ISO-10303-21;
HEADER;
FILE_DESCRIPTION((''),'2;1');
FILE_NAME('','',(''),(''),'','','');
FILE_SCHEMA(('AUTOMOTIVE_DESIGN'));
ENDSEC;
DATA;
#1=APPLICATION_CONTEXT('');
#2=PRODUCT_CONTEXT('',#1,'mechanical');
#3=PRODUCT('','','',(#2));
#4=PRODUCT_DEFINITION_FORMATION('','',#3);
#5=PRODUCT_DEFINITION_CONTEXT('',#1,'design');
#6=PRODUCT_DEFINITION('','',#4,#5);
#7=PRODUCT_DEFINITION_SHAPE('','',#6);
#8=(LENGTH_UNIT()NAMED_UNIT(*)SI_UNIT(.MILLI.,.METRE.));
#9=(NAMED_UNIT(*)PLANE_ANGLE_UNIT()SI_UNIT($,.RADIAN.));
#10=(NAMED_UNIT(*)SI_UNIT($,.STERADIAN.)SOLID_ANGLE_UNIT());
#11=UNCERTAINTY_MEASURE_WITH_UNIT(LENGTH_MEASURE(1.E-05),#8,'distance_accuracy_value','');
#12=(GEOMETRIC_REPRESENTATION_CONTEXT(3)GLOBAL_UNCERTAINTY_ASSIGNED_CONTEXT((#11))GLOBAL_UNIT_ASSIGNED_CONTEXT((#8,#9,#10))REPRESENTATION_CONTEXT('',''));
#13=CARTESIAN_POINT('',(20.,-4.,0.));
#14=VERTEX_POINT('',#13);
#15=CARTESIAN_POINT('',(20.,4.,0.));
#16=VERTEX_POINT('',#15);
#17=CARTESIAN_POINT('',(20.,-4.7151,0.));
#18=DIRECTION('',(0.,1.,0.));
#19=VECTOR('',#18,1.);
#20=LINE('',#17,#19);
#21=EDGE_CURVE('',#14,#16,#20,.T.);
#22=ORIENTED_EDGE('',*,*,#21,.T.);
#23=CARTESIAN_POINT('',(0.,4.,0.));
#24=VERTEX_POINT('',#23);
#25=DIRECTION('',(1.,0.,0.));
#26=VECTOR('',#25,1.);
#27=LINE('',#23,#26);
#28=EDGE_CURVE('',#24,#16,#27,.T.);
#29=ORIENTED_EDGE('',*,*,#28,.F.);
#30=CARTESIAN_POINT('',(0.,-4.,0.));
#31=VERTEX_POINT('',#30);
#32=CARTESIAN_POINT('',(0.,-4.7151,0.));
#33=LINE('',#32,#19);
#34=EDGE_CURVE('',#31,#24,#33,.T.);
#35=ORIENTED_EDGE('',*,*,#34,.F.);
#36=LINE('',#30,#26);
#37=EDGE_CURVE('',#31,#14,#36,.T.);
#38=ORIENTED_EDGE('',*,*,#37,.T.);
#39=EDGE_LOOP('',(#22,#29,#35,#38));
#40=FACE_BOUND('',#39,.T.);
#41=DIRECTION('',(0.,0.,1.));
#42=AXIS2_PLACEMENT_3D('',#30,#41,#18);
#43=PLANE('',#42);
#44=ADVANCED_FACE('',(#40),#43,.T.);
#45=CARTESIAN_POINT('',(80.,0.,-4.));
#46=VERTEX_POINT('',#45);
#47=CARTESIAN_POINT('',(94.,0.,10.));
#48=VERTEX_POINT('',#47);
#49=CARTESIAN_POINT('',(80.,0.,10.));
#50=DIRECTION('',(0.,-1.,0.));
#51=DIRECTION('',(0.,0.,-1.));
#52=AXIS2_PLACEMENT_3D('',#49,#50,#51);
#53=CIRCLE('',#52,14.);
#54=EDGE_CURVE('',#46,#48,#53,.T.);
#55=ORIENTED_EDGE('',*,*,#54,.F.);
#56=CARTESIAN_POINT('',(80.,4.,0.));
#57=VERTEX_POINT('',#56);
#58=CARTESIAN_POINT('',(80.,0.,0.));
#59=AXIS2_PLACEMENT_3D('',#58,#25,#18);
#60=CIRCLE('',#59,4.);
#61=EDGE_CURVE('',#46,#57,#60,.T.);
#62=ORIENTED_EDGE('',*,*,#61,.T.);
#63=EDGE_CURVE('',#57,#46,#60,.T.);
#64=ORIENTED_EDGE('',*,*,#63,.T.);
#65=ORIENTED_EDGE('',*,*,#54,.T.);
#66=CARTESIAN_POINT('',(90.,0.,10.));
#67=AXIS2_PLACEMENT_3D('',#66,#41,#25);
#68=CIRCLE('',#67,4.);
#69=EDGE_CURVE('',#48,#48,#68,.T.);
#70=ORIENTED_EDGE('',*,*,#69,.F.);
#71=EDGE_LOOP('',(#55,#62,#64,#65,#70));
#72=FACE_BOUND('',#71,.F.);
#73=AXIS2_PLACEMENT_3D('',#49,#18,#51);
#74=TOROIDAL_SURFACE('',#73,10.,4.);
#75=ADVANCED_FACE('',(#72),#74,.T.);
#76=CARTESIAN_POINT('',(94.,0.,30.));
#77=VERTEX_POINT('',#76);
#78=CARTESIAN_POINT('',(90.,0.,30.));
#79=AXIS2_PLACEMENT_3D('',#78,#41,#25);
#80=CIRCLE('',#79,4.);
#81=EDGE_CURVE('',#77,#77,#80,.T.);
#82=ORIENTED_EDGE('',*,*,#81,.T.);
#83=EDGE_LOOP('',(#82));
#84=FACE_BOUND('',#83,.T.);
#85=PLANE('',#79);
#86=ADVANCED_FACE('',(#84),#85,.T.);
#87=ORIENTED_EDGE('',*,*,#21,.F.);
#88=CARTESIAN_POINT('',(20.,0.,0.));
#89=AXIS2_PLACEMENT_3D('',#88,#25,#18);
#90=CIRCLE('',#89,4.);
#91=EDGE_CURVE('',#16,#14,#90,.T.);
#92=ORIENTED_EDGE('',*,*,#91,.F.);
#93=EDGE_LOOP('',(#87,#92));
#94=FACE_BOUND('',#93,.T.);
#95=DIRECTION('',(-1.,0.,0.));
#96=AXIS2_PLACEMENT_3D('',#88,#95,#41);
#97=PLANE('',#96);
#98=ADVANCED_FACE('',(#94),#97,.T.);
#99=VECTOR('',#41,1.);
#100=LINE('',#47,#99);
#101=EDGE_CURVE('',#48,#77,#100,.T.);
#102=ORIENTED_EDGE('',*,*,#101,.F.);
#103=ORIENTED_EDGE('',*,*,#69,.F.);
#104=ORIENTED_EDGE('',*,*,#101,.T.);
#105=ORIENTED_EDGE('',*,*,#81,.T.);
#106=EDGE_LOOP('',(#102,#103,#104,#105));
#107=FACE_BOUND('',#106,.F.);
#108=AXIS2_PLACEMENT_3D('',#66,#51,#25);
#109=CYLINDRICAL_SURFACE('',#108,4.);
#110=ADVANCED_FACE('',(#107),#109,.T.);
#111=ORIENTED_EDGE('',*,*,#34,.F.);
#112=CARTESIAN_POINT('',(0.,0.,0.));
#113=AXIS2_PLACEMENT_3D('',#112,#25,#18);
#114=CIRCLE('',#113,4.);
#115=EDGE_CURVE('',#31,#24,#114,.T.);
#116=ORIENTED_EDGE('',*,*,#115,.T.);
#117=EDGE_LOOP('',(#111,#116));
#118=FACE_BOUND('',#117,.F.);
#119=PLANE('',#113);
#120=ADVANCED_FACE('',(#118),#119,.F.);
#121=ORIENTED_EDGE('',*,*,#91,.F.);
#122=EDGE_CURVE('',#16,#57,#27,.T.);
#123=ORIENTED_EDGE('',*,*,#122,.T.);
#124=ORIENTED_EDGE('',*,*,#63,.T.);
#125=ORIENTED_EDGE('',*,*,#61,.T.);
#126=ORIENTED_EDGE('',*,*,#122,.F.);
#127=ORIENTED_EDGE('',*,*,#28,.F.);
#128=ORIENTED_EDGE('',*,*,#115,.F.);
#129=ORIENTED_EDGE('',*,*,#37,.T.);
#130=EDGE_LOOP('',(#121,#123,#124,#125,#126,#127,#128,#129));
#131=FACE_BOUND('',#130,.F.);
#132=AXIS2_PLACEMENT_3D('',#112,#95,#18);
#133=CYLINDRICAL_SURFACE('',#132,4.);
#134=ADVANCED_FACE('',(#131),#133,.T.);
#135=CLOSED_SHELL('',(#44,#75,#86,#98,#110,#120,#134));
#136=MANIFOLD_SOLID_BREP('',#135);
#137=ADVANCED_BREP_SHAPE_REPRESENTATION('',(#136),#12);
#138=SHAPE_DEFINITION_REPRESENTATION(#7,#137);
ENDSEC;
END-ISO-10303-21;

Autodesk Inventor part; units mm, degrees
ref_plane "YZ Plane" through (0, 0, 0) normal (1, 0, 0) x (0, 1, 0)
ref_plane "XZ Plane" through (0, 0, 0) normal (0, 1, 0) x (-1, 0, 0)
ref_plane "XY Plane" through (0, 0, 0) normal (0, 0, 1) x (1, 0, 0)
sketch "Sketch1" plane through (0, 0, 0) normal (1, 0, 0) x (0, 1, 0)
  circle A0 centre (0, 0) radius 4
  dimension "d0" = 8
extrude "Extrusion1" add sketch "Sketch1" along normal blind 80
sketch "Sketch8" plane through (80, 0, 0) normal (1, 0, 0) x (0, 0, -1)
  line L0 (-10, -3.7509) -> (-10, 5.6543)
  circle A0 centre (0, 0) radius 4 projected
  point P0 (-10, 0.9517)
  dimension "d13" = 10
revolve "Revolution2" add sketch "Sketch8" angle 90 about axis through (80, -3.7509, 10) along (0, -1, 0)
sketch "Sketch9" plane through (90, 0, 10) normal (0, 0, 1) x (1, 0, 0)
  circle A0 centre (0, 0) radius 4 projected
  point P0 (-90, 0)
extrude "Extrusion6" add sketch "Sketch9" along normal blind 20
sketch "Sketch10" plane through (0, 0, 0) normal (-1, 0, 0) x (0, 0, 1)
  circle A0 centre (0, 0) radius 4 projected
  line L0 (0, -4.7151) -> (0, 4)
  point P0 (0, -4)
extrude "Extrusion7" cut sketch "Sketch10" against normal blind 20 contours A0 L0 picked at (0.5785, 1.2013)
properties part number "AllenKey-RS3" material "Steel"
